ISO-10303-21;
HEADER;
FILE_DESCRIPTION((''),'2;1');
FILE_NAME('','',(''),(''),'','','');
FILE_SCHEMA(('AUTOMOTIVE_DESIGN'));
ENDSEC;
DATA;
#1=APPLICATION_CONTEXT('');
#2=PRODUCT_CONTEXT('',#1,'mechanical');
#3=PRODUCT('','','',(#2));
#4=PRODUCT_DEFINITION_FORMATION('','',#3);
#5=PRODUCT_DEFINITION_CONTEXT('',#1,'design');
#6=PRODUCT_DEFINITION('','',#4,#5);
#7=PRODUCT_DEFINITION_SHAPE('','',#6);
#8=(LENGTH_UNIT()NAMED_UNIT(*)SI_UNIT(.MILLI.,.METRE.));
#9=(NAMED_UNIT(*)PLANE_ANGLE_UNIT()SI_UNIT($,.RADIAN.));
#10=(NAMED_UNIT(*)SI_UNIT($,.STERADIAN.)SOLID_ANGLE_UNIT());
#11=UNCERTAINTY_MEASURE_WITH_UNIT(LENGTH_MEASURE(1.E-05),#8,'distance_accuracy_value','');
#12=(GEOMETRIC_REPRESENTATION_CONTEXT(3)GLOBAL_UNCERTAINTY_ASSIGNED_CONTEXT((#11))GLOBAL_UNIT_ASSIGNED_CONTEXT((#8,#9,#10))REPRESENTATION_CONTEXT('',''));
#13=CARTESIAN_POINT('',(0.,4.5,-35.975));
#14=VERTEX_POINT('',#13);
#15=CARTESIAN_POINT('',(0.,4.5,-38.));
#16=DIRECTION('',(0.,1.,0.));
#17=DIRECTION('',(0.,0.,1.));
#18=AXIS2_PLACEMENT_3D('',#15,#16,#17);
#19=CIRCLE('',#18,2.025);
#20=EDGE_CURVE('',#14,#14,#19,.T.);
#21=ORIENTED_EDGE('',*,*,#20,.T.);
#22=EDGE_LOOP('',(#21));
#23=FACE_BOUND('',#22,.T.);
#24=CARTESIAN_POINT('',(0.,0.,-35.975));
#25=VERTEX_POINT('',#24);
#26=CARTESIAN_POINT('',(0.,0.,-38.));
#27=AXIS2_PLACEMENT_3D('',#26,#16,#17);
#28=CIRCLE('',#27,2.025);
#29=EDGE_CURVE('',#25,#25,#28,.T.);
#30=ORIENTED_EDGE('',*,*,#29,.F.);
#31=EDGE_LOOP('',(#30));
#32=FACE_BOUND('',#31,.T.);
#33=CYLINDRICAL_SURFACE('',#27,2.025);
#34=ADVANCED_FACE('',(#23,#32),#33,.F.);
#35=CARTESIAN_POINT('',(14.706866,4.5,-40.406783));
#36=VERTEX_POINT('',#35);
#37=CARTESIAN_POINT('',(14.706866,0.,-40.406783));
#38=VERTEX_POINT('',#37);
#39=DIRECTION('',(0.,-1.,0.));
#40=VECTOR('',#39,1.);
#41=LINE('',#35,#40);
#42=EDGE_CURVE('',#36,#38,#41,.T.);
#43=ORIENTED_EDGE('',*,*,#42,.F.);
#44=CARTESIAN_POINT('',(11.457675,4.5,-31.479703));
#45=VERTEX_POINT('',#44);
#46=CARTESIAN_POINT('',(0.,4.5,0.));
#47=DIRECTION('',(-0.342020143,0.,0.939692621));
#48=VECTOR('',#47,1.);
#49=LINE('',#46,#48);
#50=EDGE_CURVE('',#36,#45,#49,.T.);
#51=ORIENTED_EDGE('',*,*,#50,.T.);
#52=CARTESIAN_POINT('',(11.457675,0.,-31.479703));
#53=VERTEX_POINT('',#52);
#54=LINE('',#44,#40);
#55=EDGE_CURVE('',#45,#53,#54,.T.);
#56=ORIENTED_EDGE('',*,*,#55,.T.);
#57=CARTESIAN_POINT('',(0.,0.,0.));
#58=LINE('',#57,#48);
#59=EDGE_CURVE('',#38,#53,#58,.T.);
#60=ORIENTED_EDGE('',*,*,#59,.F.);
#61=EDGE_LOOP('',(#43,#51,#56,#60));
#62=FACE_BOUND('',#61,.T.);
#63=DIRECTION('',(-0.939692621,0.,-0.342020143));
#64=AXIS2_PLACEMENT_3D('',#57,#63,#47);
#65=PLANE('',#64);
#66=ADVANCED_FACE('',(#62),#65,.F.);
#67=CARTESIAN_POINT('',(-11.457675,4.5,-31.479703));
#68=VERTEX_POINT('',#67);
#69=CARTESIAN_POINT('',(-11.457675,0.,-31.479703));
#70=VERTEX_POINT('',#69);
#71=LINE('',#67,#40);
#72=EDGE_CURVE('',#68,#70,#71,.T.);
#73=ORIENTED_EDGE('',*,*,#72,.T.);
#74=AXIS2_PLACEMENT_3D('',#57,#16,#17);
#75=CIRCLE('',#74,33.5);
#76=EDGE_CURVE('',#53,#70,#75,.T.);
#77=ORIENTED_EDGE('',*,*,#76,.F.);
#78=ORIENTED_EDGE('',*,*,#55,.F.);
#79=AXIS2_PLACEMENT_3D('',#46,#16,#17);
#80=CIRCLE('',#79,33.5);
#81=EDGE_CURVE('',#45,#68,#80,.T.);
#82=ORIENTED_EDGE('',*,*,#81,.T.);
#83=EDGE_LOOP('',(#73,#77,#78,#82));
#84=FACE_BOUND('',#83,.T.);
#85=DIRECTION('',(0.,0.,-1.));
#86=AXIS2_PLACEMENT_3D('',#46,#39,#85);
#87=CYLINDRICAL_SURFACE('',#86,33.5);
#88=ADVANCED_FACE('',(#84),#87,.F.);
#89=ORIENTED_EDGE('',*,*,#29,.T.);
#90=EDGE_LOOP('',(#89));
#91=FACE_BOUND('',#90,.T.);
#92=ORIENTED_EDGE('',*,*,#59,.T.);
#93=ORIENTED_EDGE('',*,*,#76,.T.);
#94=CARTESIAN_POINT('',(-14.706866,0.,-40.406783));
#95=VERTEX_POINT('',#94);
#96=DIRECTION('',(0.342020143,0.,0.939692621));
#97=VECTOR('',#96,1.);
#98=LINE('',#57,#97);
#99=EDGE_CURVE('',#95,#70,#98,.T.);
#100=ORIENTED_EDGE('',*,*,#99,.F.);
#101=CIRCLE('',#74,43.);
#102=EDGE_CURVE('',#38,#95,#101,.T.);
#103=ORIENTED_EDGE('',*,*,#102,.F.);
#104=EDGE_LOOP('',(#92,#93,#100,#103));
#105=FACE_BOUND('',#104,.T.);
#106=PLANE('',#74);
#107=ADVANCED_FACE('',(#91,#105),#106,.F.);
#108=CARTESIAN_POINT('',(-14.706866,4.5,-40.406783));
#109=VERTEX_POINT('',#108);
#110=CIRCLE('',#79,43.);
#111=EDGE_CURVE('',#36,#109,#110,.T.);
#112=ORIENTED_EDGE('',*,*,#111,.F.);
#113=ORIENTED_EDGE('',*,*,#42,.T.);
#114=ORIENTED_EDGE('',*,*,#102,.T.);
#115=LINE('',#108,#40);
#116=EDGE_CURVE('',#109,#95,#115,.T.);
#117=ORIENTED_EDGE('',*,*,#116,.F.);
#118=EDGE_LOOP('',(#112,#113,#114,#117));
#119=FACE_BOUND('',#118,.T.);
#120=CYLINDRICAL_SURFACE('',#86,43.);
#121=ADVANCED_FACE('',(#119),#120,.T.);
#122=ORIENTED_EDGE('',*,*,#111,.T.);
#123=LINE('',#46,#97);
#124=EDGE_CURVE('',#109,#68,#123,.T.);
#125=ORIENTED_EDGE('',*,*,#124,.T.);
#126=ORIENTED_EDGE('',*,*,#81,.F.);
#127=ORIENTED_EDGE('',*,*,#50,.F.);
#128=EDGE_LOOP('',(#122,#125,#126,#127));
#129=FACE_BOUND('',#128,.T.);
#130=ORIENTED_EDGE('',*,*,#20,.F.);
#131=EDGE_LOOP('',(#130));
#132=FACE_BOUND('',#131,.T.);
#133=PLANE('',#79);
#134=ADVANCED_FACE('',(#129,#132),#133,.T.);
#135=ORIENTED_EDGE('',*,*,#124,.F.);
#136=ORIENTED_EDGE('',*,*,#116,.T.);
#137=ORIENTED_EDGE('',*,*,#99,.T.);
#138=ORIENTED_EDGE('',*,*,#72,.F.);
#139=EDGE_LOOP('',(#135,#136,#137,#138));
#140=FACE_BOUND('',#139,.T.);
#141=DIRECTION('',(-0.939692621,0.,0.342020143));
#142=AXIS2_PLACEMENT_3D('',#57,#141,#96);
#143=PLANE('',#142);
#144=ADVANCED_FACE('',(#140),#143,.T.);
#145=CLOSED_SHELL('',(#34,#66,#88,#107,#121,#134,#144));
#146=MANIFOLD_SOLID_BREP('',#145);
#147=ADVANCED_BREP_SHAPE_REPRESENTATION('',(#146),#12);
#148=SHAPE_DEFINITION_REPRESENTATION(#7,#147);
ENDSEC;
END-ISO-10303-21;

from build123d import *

# Parameters (mm, degrees)
SKETCH1_R               = 43
SKETCH1_R_2             = 33.5
BOSS_EXTRUDE1_DEPTH     = 4.5
CUT_EXTRUDE1_START      = -5.5
CUT_EXTRUDE1_DEPTH      = 6.5
SKETCH3_R               = 2.025
CUT_EXTRUDE2_DEPTH      = 1
CUT_EXTRUDE2_DEPTH_BACK = 5.5


with BuildPart() as part:
    # Sketch1 → Boss-Extrude1 (new body)
    with BuildSketch(Plane(origin=(0, 0, 0), x_dir=(1, 0, 0), z_dir=(0, 1, 0))):
        Circle(SKETCH1_R)
        Circle(SKETCH1_R_2, mode=Mode.SUBTRACT)
    extrude(amount=BOSS_EXTRUDE1_DEPTH)

    # Sketch2 → Cut-Extrude1 (cut)
    with BuildSketch(Plane(origin=(0, 4.5, 0), x_dir=(1, 0, 0), z_dir=(0, 1, 0)).offset(CUT_EXTRUDE1_START)):
        with BuildLine():
            Line((0, 0), (0, -52.31984462))
            ThreePointArc((0, -52.31984462), (51.524988618, -9.085245674), (17.894440756, 49.16457191))
            Line((17.894440756, 49.16457191), (0, 0))
        make_face()
    cut_extrude1 = extrude(amount=CUT_EXTRUDE1_DEPTH, mode=Mode.SUBTRACT)

    # Mirror1: Cut-Extrude1 across plane
    add(cut_extrude1.mirror(Plane(origin=(0, 0, 0), x_dir=(0, 0, 1), z_dir=(1, 0, 0))), mode=Mode.SUBTRACT)

    # Sketch3 → Cut-Extrude2 (cut, two sides)
    with BuildSketch(Plane(origin=(0, 4.5, 0), x_dir=(1, 0, 0), z_dir=(0, 1, 0))) as cut_extrude2_sk:
        with Locations((0, 38)):
            Circle(SKETCH3_R)
    extrude(amount=CUT_EXTRUDE2_DEPTH, mode=Mode.SUBTRACT)
    extrude(cut_extrude2_sk.sketch, amount=-CUT_EXTRUDE2_DEPTH_BACK, mode=Mode.SUBTRACT)


solid = part.part
